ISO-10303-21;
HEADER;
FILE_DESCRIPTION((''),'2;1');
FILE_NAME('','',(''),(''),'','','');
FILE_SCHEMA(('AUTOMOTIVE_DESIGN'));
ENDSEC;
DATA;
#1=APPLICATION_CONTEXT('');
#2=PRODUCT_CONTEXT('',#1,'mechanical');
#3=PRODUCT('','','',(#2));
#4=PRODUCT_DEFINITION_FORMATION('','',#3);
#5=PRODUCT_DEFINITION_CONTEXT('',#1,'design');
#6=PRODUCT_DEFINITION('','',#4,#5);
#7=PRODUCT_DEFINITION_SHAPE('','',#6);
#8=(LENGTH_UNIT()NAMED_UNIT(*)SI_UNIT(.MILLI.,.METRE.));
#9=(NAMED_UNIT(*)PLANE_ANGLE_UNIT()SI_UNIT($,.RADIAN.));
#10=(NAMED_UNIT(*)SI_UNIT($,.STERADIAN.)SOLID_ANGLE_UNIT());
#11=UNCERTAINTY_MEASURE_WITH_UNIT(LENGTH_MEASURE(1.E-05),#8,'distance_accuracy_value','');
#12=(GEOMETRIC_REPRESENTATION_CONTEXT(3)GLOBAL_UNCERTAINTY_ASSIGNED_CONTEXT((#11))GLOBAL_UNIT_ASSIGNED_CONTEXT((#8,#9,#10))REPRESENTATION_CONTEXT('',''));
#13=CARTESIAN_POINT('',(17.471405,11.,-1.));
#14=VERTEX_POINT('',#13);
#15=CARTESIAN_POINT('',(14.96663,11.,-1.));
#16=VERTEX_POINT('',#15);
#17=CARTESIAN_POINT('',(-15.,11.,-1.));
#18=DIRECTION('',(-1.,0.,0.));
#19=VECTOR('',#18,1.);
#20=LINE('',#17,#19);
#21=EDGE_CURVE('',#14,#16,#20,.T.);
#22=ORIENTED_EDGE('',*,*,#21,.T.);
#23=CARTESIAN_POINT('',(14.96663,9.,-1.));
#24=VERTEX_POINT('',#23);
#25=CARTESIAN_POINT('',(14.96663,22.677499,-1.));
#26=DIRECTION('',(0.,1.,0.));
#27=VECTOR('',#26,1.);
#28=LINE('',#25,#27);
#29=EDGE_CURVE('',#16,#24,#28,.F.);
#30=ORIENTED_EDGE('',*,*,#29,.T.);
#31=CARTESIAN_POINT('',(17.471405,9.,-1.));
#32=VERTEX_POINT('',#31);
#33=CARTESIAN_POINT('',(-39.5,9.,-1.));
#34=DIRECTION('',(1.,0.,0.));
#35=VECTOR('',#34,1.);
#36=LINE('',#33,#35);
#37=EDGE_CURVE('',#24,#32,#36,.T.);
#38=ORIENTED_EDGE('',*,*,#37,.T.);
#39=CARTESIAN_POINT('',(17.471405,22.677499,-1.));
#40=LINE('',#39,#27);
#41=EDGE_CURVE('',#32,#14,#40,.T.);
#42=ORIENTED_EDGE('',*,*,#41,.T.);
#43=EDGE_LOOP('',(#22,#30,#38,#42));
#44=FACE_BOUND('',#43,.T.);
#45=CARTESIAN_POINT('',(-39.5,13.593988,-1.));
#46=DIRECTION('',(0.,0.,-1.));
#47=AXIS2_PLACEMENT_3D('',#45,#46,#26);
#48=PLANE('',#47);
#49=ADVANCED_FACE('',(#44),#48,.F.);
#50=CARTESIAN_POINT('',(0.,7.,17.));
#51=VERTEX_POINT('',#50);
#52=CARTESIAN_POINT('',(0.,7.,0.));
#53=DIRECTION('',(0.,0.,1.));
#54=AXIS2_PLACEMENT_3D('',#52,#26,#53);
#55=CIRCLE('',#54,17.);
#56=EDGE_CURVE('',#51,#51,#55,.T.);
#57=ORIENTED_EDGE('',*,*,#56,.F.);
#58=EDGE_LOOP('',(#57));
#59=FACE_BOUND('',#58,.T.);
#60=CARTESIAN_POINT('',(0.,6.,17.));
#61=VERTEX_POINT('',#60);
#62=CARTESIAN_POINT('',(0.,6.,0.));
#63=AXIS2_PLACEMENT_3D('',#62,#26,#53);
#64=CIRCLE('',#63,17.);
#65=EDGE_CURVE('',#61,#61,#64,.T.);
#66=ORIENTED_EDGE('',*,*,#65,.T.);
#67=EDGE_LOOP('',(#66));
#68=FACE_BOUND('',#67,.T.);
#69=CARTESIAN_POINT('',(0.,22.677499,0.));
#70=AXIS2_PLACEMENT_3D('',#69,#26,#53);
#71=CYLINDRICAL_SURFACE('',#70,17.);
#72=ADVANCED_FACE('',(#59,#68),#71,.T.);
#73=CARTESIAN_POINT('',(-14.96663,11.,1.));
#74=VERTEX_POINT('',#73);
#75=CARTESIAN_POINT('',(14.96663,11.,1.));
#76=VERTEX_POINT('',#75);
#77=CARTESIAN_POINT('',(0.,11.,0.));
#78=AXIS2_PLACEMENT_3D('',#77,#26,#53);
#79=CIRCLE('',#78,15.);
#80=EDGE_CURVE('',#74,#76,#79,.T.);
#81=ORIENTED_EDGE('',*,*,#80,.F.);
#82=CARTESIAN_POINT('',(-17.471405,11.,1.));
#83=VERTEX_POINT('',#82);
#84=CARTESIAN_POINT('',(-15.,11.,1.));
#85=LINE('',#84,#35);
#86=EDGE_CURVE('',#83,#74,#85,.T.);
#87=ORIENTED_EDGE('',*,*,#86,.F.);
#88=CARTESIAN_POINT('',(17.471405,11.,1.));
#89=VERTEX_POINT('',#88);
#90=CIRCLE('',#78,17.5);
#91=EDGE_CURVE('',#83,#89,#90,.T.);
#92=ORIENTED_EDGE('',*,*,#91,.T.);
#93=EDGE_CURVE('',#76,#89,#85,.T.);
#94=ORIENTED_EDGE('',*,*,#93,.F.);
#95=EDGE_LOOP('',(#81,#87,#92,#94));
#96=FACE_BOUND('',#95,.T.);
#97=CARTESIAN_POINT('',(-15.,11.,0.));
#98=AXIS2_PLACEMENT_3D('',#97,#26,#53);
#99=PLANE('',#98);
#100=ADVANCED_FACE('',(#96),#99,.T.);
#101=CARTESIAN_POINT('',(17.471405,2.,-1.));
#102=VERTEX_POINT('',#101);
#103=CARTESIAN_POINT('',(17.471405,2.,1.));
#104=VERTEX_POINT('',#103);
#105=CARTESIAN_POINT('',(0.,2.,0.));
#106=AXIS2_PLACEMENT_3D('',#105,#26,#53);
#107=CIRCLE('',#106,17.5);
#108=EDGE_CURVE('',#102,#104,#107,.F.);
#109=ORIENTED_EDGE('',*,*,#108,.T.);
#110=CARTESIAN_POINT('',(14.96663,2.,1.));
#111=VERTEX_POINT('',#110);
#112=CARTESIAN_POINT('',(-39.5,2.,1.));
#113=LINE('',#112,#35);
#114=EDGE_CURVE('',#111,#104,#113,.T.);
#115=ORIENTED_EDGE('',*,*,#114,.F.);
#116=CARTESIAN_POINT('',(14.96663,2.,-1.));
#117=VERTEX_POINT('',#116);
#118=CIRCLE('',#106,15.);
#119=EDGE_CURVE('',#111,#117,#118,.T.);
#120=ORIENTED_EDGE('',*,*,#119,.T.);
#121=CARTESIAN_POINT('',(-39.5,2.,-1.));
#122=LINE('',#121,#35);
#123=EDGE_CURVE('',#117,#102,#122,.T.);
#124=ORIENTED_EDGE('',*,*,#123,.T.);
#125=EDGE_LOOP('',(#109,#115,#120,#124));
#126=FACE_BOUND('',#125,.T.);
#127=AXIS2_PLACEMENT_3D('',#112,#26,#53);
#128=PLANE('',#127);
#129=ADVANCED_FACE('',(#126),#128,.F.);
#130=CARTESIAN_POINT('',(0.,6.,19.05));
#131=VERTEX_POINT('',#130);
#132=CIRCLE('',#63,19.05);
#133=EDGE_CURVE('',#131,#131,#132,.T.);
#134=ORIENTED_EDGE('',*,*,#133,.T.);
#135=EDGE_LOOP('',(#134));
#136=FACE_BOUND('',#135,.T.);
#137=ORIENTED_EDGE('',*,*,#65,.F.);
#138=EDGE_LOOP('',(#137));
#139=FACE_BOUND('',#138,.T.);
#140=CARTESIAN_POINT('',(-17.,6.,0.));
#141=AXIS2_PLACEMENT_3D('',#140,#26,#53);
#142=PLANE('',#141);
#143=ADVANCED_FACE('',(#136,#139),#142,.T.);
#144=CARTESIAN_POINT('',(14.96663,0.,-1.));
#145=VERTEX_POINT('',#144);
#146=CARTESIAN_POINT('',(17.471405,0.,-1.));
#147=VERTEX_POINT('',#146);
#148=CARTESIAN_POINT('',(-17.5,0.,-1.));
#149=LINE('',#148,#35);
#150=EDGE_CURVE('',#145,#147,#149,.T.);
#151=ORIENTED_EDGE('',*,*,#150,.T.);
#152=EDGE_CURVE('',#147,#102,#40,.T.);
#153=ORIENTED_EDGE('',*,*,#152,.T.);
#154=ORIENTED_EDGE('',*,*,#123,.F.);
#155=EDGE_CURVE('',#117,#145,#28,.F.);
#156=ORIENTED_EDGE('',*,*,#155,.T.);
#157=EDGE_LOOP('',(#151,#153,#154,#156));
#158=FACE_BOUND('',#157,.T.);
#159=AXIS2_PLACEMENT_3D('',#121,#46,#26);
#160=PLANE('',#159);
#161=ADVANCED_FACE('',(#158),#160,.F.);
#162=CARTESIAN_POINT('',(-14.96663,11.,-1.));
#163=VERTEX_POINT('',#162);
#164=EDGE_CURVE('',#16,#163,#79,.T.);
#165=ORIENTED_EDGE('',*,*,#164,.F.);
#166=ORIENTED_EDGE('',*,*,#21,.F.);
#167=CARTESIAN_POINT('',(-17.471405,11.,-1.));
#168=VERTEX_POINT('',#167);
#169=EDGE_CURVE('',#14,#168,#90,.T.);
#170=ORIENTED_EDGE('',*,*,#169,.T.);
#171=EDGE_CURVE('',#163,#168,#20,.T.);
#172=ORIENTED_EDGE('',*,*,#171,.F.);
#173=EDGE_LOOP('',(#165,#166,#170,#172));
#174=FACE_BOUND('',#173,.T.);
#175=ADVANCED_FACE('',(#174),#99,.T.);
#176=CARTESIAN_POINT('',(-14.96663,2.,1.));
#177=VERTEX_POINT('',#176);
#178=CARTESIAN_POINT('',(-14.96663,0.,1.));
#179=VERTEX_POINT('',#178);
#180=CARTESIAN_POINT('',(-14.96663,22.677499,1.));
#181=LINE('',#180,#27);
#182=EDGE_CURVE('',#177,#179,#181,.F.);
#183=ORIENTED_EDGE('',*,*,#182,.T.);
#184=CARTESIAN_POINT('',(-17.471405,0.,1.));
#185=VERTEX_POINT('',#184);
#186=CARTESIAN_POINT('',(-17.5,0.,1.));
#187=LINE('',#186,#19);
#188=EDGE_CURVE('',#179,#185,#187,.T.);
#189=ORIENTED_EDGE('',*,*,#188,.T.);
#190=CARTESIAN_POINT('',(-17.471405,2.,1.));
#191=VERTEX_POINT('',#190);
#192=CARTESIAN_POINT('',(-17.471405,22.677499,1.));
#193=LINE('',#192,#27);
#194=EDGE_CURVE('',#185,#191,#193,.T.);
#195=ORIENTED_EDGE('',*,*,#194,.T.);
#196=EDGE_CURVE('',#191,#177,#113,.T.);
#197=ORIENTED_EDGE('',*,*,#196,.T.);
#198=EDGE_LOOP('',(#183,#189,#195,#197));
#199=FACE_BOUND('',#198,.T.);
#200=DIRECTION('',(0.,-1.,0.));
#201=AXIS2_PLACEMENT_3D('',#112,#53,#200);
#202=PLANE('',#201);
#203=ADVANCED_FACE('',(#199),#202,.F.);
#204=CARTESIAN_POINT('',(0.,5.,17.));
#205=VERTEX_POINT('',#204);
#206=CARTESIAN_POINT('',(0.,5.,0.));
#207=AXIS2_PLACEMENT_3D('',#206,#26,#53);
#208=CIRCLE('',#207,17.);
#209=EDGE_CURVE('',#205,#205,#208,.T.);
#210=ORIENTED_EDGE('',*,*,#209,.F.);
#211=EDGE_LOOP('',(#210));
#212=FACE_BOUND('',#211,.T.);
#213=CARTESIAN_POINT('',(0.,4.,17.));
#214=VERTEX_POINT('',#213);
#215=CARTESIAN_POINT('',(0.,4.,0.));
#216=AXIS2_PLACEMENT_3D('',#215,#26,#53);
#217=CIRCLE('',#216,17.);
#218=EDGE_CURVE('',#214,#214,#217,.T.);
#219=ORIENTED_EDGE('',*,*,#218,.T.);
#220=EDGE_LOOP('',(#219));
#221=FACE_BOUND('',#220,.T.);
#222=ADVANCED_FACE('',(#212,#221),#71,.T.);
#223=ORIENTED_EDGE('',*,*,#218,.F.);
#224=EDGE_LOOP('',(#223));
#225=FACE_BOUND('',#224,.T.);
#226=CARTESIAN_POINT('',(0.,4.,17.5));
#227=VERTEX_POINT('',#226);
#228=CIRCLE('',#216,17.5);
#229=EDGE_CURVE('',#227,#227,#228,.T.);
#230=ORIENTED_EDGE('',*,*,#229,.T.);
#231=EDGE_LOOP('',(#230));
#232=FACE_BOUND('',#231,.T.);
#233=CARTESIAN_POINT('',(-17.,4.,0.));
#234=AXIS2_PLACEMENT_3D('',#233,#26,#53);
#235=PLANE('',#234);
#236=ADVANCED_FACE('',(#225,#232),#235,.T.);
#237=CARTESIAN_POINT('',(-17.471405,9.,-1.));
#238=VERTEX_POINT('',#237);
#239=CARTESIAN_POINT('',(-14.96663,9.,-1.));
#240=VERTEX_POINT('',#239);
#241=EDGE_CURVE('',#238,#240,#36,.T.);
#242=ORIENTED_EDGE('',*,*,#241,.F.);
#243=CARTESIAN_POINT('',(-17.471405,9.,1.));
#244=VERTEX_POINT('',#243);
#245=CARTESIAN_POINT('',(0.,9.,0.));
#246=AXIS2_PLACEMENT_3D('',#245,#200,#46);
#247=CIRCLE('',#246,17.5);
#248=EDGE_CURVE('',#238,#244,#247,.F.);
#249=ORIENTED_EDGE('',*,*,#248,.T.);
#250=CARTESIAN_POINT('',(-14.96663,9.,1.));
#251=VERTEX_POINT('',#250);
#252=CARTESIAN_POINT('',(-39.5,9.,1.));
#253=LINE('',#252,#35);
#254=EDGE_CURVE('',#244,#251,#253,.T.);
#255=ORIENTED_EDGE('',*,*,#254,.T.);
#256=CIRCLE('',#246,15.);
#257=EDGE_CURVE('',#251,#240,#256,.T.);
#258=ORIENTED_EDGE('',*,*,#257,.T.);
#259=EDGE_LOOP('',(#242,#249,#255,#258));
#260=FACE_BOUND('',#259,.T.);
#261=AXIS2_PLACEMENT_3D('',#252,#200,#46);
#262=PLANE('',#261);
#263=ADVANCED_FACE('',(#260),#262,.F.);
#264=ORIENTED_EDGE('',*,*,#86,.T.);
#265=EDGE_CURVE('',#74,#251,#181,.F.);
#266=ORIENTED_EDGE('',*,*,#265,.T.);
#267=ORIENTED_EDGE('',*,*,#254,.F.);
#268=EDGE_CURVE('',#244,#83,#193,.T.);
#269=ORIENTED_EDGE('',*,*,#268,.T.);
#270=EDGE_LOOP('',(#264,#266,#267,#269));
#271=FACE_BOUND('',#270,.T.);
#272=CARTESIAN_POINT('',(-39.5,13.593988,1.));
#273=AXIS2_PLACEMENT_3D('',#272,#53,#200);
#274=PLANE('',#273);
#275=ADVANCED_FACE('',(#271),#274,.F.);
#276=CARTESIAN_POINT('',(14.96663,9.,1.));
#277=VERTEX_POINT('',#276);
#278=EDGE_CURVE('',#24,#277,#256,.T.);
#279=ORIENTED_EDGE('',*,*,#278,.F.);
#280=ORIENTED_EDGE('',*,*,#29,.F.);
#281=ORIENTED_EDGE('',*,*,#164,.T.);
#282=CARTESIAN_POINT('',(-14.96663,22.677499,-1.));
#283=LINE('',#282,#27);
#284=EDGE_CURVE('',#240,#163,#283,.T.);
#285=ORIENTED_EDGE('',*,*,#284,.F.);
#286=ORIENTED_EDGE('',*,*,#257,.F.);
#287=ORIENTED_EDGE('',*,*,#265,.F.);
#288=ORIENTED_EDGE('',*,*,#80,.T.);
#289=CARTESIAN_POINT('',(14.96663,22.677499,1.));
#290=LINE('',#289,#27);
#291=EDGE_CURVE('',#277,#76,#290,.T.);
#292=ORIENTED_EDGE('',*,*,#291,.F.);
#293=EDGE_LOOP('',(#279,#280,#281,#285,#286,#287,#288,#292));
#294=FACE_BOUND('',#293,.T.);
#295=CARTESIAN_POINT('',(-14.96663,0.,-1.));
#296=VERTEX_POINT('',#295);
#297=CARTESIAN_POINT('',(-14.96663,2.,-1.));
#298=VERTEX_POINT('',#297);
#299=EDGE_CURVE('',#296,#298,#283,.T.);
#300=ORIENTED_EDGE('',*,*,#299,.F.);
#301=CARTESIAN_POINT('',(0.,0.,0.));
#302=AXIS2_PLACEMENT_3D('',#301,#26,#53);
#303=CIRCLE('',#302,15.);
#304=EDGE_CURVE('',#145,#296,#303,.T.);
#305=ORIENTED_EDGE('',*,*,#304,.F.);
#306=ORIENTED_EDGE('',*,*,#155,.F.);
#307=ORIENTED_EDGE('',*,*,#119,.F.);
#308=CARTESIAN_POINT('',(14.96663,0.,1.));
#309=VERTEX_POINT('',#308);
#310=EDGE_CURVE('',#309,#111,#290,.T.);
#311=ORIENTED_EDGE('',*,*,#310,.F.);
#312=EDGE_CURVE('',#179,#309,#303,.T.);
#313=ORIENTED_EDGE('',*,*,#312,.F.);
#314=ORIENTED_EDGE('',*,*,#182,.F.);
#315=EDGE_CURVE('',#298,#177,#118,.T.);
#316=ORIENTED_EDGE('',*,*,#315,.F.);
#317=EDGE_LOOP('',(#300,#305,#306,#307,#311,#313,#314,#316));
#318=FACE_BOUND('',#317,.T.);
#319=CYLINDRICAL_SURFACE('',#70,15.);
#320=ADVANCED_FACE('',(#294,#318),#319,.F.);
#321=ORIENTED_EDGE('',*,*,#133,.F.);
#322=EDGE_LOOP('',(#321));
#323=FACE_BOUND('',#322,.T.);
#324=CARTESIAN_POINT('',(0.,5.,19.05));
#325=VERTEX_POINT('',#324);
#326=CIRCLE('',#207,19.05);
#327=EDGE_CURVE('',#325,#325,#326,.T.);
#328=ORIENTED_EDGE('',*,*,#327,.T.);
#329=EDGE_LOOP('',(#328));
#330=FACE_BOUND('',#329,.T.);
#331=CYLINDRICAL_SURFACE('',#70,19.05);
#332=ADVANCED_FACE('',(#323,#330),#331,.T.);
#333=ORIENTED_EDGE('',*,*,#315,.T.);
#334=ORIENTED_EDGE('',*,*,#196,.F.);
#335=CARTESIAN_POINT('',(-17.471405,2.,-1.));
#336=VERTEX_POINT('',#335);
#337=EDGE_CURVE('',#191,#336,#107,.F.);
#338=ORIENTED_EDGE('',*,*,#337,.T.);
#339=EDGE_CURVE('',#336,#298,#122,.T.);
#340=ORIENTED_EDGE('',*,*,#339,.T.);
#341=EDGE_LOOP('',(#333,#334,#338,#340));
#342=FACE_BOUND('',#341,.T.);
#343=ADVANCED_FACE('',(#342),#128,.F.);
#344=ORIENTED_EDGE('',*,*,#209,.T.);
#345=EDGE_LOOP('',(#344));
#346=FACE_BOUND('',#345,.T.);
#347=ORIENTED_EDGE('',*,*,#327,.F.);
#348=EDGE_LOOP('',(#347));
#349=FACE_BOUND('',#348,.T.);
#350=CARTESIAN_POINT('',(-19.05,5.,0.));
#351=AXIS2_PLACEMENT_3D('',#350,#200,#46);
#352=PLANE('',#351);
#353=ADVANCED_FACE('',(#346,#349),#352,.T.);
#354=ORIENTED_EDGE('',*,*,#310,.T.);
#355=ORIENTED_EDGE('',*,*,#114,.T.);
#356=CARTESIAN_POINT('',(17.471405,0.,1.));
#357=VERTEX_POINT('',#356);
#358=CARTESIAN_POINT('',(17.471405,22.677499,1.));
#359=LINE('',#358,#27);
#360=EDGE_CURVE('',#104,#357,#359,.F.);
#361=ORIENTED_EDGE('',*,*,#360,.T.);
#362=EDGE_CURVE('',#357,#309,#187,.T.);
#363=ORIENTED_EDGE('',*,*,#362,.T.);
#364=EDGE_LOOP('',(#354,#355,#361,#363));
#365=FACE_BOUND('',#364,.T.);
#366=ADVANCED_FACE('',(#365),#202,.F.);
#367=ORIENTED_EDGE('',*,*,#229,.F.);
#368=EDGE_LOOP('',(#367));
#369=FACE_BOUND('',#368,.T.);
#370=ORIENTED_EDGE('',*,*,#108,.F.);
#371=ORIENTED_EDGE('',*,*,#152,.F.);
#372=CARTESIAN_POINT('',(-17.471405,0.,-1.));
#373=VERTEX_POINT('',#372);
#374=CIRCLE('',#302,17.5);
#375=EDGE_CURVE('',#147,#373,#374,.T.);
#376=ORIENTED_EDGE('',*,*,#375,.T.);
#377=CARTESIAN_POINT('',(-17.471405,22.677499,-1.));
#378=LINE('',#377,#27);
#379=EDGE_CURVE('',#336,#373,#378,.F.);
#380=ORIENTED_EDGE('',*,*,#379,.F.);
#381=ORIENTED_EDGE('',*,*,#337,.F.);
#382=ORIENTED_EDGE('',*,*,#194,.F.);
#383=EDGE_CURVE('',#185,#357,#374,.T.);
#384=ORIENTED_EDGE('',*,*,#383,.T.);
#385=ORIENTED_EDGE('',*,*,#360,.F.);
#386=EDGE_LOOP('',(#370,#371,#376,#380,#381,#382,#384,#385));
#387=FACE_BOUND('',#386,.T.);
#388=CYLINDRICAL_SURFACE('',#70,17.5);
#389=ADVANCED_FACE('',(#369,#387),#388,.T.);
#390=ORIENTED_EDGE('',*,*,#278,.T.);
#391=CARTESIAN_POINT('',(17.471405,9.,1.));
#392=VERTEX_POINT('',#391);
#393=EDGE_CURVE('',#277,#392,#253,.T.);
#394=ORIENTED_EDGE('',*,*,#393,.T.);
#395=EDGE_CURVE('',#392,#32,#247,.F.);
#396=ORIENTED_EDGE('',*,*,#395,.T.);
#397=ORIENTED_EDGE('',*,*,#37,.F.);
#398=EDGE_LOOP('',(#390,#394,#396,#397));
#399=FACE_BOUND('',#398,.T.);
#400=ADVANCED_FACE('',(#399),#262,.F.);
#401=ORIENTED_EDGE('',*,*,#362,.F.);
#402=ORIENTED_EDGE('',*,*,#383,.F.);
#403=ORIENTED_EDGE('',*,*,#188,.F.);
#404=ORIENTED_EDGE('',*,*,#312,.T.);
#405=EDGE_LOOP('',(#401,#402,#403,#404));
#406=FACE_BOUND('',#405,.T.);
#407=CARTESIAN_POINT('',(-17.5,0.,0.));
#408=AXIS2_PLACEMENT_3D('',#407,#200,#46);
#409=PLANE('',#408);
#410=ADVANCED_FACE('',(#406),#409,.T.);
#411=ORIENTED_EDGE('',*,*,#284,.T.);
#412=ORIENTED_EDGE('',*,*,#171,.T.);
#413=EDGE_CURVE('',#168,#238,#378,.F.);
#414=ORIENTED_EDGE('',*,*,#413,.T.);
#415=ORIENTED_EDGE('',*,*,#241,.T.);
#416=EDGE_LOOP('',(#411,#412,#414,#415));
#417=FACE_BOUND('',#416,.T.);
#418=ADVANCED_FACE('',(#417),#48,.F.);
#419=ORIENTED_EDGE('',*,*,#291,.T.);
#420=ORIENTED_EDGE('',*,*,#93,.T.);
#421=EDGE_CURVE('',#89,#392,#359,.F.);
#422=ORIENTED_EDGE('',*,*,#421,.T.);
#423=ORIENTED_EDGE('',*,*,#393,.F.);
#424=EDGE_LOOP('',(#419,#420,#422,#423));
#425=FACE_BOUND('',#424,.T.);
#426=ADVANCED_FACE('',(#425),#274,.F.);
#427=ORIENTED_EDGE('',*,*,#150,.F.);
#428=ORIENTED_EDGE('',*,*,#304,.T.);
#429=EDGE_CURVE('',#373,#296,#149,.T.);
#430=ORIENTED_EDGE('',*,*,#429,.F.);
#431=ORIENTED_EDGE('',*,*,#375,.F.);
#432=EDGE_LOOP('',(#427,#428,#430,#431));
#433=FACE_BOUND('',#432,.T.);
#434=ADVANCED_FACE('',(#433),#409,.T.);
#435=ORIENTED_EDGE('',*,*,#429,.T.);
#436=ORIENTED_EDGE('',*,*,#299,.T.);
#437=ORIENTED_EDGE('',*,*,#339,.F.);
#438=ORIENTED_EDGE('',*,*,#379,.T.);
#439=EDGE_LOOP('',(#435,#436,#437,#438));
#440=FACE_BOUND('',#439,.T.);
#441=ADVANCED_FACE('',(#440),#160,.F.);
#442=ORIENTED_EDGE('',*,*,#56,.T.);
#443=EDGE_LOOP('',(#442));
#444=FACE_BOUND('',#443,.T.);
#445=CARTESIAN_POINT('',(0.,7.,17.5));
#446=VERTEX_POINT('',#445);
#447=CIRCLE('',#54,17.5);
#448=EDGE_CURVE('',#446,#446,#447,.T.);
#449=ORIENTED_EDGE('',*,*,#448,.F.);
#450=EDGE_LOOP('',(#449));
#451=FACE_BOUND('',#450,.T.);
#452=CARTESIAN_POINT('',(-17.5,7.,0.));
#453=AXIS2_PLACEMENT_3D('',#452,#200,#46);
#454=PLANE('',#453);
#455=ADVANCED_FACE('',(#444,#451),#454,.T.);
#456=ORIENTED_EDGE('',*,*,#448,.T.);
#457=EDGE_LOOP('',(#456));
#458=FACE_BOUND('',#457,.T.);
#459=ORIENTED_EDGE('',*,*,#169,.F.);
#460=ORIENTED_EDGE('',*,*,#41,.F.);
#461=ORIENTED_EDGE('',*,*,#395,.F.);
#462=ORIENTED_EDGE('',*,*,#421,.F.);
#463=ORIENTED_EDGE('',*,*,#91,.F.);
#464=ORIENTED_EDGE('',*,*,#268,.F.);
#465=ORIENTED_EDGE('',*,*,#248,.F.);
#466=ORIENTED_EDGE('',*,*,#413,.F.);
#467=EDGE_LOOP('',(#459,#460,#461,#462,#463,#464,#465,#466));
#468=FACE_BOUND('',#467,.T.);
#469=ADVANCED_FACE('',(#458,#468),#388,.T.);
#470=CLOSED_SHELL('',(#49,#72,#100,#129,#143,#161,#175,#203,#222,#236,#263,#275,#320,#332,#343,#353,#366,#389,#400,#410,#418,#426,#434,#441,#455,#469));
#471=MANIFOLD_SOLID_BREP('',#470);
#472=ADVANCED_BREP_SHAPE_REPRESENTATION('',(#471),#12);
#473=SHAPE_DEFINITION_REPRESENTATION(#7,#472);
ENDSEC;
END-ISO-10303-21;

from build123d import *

# Parameters (mm, degrees)
SKETCH_2_W          = 2
SKETCH_2_H          = 4.593987872
SKETCH_2_H_2        = 6.667892238
CUT_EXTRUDE_1_DEPTH = 39.5


with BuildPart() as part:
    # 草图1 → 旋转1 (revolve)
    with BuildSketch(Plane.XY, mode=Mode.PRIVATE) as revolve_1_sk:
        Polygon((-15, 11), (-17.5, 11), (-17.5, 7), (-17, 7), (-17, 6), (-19.05, 6), (-19.05, 5), (-17, 5), (-17, 4), (-17.5, 4), (-17.5, 0), (-15, 0), align=None)
    revolve(revolve_1_sk.sketch.rotate(Axis((0, 22.677499451, 0), (0, -1, 0)), 270), axis=Axis((0, 22.677499451, 0), (0, -1, 0)))  # turned: the seam where the file's is

    # 草图2 → 切除-拉伸1 (cut, symmetric)
    with BuildSketch(Plane(origin=(0, 0, 0), x_dir=(0, 0, -1), z_dir=(1, 0, 0))):
        with Locations((0, 11.296993936)):
            Rectangle(SKETCH_2_W, SKETCH_2_H)
        with Locations((0, -1.333946119)):
            Rectangle(SKETCH_2_W, SKETCH_2_H_2)
    extrude(amount=CUT_EXTRUDE_1_DEPTH, both=True, mode=Mode.SUBTRACT)


solid = part.part
